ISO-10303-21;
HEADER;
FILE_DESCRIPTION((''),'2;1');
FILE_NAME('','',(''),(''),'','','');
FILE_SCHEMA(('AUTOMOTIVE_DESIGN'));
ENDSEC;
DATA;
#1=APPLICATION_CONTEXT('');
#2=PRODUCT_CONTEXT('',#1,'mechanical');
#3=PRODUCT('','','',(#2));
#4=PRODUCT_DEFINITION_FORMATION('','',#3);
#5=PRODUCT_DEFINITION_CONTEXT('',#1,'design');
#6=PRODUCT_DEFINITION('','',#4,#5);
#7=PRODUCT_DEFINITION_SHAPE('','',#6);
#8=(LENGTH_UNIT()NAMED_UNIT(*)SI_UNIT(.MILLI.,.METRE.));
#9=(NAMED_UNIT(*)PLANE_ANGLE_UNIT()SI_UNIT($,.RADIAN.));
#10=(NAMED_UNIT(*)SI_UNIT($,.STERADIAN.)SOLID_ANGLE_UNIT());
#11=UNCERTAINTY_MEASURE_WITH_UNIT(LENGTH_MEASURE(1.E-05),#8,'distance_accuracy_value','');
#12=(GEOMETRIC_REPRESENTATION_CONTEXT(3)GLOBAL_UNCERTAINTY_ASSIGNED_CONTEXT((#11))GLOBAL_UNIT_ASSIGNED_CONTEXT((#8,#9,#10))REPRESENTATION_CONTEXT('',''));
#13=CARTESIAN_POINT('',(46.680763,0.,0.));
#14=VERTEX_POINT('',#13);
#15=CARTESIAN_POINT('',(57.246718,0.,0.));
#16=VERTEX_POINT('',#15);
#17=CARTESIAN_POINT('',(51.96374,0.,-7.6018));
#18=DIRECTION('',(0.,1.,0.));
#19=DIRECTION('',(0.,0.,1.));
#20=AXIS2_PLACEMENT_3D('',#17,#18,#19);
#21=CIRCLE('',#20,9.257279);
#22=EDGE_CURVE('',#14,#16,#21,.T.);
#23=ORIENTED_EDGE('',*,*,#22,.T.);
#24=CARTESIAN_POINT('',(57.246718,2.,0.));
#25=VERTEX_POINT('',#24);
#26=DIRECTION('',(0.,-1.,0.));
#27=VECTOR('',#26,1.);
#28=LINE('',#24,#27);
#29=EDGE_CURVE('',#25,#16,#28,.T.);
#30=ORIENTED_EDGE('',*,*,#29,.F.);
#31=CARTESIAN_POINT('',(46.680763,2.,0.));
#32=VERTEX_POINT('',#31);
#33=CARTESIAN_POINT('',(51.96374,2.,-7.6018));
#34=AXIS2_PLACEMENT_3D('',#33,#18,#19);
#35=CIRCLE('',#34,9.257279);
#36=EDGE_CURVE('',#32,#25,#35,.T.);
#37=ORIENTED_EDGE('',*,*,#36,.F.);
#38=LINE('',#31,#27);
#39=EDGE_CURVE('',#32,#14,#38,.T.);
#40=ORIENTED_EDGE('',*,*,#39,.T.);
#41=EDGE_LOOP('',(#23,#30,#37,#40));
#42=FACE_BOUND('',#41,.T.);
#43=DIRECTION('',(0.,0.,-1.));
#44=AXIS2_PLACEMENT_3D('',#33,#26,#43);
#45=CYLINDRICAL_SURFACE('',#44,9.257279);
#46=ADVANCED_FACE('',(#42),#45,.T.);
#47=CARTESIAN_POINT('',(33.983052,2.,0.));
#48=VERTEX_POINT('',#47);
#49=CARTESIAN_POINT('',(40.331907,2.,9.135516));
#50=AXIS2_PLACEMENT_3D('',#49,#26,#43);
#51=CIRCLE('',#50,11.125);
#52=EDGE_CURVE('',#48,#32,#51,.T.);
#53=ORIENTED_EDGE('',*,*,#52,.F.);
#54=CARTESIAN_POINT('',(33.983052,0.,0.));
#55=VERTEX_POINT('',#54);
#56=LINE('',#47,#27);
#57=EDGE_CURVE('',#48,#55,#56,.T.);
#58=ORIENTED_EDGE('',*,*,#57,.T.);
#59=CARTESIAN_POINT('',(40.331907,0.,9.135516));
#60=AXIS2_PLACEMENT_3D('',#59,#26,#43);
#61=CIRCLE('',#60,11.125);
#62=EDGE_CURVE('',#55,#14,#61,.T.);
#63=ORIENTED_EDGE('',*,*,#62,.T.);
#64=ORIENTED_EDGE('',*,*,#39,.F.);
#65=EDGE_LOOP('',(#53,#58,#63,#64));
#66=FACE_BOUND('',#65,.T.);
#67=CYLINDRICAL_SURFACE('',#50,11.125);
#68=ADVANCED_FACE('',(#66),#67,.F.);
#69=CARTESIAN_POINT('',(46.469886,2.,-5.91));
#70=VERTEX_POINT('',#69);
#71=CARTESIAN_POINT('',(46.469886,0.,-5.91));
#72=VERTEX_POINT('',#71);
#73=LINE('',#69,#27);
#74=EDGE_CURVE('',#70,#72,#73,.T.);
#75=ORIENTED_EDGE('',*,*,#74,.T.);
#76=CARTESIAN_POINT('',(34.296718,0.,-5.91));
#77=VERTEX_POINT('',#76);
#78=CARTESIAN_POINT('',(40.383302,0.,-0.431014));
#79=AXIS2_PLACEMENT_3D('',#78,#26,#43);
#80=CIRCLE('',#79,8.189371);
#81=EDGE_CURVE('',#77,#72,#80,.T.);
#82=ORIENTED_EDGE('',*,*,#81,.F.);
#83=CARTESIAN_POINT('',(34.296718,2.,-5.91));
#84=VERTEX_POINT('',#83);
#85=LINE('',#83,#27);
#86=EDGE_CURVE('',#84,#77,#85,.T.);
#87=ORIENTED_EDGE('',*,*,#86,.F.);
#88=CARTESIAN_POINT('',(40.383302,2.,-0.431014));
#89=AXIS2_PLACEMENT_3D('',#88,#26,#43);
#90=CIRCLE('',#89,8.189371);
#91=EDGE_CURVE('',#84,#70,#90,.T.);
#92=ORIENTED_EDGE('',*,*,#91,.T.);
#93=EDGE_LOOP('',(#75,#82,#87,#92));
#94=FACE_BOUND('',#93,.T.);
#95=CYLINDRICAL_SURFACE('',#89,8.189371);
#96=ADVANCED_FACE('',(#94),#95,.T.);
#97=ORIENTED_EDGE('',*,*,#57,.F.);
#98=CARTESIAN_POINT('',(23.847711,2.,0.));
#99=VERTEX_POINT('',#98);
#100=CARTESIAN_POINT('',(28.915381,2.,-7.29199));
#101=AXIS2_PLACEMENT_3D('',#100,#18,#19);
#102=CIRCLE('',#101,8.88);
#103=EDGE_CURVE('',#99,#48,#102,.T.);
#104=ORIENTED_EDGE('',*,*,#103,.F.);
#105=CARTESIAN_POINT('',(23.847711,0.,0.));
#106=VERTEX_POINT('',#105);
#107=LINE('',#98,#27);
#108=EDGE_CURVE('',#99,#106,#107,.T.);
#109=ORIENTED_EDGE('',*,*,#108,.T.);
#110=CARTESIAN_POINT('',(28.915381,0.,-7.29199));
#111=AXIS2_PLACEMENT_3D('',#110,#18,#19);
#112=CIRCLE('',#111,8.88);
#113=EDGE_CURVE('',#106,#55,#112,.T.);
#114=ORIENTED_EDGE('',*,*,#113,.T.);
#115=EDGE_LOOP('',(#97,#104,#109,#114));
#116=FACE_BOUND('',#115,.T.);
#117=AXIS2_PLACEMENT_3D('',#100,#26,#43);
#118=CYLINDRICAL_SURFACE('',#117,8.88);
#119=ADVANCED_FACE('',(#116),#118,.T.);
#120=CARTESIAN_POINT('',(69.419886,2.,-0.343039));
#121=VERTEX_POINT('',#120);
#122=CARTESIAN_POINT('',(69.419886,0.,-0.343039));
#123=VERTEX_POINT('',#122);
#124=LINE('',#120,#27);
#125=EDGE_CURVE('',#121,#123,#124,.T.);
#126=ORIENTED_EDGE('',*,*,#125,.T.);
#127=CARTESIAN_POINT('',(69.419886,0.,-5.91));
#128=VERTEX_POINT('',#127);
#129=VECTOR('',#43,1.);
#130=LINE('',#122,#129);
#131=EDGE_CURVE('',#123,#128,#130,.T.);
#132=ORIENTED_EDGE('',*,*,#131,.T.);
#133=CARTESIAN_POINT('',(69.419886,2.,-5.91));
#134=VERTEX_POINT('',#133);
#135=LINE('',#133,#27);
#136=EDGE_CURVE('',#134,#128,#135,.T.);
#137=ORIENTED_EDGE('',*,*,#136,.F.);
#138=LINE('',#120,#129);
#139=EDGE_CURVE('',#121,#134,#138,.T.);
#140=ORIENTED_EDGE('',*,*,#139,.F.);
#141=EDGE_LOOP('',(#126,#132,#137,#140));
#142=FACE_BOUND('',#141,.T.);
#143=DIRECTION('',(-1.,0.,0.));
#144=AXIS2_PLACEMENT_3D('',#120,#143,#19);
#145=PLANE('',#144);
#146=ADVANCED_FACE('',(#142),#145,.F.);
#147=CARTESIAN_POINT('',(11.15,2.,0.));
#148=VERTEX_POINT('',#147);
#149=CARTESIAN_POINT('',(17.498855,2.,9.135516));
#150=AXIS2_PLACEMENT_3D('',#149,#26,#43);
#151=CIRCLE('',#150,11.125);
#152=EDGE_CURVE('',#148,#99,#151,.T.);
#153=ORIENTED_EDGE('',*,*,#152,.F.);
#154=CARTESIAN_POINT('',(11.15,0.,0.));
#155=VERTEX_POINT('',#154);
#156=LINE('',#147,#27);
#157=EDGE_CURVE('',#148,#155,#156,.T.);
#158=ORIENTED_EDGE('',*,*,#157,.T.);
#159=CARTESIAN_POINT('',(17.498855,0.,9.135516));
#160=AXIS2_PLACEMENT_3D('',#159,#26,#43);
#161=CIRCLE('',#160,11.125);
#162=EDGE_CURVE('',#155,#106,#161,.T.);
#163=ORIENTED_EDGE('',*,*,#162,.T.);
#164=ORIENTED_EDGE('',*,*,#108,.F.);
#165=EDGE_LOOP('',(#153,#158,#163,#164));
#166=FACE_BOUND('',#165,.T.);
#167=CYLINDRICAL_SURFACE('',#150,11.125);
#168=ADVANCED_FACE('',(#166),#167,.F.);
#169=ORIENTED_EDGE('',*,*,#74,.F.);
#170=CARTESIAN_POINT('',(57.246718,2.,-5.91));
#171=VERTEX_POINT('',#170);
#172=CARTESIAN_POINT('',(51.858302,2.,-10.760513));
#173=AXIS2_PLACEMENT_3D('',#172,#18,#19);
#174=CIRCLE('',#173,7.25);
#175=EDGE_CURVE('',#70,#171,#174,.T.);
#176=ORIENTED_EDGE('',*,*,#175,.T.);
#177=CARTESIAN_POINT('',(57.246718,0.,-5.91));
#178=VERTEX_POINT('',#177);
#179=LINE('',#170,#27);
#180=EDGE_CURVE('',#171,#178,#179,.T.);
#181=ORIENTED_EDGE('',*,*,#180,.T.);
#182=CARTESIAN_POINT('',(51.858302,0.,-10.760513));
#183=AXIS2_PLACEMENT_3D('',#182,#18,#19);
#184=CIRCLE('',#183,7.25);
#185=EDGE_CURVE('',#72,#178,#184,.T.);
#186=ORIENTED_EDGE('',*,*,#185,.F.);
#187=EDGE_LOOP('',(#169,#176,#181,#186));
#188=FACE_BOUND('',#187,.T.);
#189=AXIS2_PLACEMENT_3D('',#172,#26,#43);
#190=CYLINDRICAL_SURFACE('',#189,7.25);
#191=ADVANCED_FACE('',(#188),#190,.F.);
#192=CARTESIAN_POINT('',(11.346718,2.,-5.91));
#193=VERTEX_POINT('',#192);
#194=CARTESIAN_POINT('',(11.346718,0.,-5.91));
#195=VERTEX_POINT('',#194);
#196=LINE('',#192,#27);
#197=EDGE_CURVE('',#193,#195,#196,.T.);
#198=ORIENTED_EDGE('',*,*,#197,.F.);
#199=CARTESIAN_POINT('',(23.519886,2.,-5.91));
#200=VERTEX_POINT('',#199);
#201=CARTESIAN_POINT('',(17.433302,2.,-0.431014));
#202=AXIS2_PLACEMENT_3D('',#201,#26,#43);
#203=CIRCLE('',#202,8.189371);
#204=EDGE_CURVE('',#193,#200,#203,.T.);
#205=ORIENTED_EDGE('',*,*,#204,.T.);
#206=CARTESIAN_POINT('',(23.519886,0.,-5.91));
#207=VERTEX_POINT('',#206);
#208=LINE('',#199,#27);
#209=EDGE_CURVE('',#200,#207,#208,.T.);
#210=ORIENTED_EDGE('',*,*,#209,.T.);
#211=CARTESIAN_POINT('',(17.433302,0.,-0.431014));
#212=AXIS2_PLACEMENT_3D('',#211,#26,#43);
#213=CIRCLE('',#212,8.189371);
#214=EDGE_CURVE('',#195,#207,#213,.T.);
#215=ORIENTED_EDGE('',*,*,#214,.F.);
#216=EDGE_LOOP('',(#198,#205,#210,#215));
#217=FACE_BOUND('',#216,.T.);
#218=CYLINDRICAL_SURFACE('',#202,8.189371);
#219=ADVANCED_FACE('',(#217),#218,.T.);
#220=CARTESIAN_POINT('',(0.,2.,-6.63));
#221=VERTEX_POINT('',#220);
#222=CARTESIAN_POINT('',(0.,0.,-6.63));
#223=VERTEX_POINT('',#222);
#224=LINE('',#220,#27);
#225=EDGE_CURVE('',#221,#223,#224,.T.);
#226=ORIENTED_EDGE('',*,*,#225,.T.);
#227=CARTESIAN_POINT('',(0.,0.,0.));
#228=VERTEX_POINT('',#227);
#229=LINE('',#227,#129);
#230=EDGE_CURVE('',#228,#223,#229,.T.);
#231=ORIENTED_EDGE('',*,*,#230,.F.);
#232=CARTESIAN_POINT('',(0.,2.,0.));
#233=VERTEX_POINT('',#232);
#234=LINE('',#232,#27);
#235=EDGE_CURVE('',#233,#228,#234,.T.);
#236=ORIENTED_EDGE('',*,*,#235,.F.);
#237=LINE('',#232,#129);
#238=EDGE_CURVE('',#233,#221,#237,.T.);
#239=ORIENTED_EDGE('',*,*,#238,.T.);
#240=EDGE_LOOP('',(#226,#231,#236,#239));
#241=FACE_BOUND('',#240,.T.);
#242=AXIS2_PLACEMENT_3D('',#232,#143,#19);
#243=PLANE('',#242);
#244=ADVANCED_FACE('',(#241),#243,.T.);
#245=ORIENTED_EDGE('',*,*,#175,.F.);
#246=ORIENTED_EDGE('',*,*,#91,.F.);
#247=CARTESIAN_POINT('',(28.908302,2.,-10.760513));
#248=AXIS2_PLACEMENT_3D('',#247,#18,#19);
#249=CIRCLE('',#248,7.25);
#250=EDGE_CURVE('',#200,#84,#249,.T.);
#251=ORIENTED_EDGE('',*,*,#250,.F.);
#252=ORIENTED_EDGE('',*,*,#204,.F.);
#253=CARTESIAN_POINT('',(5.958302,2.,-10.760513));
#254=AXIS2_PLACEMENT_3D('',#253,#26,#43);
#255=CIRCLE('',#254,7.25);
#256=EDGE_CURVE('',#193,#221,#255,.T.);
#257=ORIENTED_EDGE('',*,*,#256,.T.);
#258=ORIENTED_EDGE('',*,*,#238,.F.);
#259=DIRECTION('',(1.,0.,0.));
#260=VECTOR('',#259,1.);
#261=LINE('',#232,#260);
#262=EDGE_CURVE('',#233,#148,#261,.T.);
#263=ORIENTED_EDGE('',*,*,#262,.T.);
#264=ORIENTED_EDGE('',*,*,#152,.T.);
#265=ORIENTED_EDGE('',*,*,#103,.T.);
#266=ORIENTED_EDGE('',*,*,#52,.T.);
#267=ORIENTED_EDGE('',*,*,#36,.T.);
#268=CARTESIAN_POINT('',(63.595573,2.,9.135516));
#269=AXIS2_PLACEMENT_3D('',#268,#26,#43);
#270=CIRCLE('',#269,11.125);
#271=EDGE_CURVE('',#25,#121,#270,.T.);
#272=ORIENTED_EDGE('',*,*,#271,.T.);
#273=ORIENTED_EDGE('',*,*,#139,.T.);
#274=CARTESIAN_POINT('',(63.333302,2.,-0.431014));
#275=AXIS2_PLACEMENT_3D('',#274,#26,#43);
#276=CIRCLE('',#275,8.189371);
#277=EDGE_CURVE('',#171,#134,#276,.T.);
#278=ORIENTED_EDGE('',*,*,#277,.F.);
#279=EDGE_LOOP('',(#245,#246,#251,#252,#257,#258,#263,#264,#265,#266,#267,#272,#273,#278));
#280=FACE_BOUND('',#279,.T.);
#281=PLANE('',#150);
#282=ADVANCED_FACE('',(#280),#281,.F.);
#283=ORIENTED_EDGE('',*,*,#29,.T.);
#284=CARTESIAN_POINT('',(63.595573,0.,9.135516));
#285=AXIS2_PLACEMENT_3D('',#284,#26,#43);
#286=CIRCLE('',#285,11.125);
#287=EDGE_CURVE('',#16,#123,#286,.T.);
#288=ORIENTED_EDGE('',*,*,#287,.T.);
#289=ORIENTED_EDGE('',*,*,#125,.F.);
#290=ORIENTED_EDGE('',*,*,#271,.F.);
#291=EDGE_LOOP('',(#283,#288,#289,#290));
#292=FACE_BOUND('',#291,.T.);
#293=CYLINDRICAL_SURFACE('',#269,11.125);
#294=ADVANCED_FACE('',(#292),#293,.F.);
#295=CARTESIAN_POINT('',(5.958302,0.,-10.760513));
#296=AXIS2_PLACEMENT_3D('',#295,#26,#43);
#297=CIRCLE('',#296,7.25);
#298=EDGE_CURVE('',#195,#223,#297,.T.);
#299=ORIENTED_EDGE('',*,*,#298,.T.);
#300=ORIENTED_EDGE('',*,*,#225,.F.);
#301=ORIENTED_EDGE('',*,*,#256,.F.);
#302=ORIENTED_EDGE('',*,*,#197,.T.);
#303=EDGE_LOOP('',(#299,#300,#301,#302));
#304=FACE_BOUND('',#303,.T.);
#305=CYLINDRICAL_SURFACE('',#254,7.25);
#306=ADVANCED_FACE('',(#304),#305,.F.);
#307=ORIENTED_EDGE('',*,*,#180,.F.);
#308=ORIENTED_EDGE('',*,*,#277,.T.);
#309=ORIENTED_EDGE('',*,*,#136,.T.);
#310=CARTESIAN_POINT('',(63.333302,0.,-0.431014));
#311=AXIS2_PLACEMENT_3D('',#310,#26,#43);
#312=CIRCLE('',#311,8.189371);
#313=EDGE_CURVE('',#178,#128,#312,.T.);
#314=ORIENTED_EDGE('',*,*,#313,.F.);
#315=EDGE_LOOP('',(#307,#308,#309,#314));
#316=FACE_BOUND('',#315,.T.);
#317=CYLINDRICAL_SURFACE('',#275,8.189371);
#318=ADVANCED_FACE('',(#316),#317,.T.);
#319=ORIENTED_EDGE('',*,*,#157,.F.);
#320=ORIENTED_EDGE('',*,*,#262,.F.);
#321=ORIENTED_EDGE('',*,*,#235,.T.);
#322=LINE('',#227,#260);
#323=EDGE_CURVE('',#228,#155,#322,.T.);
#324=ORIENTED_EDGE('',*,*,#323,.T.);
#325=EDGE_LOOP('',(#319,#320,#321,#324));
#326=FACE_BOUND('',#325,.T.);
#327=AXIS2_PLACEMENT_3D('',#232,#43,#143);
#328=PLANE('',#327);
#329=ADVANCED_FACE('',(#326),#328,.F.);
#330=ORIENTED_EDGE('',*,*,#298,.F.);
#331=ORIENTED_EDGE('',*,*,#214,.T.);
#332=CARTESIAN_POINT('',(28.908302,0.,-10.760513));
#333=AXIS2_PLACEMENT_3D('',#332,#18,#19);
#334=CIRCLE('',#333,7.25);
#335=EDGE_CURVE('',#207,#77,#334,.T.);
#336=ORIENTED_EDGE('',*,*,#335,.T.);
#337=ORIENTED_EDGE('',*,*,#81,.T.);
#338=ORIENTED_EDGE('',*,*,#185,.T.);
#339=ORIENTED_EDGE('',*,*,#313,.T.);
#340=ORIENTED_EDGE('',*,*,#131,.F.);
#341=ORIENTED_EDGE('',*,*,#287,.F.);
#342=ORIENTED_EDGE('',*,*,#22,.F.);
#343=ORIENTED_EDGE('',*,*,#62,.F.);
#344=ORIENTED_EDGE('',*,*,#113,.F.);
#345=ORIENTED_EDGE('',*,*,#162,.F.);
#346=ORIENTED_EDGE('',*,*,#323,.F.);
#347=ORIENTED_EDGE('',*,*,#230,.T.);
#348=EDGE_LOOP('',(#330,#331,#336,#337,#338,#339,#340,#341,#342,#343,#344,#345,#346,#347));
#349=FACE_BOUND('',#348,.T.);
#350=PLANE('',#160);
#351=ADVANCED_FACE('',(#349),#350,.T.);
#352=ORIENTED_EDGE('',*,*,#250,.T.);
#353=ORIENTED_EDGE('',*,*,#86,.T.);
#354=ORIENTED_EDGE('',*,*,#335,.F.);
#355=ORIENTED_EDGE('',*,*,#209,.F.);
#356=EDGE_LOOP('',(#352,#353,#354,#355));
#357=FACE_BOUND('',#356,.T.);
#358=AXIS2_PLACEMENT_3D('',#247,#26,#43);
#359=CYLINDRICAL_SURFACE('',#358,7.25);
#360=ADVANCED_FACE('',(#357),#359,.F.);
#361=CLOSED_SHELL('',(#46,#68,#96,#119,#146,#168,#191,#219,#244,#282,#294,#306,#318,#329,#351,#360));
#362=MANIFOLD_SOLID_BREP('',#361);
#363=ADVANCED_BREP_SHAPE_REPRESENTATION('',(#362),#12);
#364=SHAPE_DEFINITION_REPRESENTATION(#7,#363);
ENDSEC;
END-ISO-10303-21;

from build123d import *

# Parameters (mm, degrees)
BOSS_EXTRUDE1_DEPTH = 2


with BuildPart() as part:
    # Sketch2 → Boss-Extrude1 (new body)
    with BuildSketch(Plane(origin=(0, 0, 0), x_dir=(1, 0, 0), z_dir=(0, 1, 0))):
        with BuildLine():
            Line((0, 0), (0, 6.63))
            ThreePointArc((0, 6.63), (5.49918056, 3.525064844), (11.346717944, 5.91))
            ThreePointArc((11.346717944, 5.91), (17.433302094, 8.62038484), (23.519886243, 5.91))
            ThreePointArc((23.519886243, 5.91), (28.908302094, 3.510512821), (34.296717944, 5.91))
            ThreePointArc((34.296717944, 5.91), (40.383302094, 8.62038484), (46.469886243, 5.91))
            ThreePointArc((46.469886243, 5.91), (51.858302094, 3.510512821), (57.246717944, 5.91))
            ThreePointArc((57.246717944, 5.91), (63.333302094, 8.62038484), (69.419886243, 5.91))
            Line((69.419886243, 5.91), (69.419886243, 0.34303853))
            ThreePointArc((69.419886243, 0.34303853), (63.282196464, 1.985068989), (57.246717944, 0))
            ThreePointArc((57.246717944, 0), (51.963740367, -1.655479057), (46.680762789, 0))
            ThreePointArc((46.680762789, 0), (40.331907408, 1.989483575), (33.983052027, 0))
            ThreePointArc((33.983052027, 0), (28.915381395, -1.58801026), (23.847710762, 0))
            ThreePointArc((23.847710762, 0), (17.498855381, 1.989483575), (11.15, 0))
            Line((11.15, 0), (0, 0))
        make_face()
    extrude(amount=BOSS_EXTRUDE1_DEPTH)


solid = part.part
